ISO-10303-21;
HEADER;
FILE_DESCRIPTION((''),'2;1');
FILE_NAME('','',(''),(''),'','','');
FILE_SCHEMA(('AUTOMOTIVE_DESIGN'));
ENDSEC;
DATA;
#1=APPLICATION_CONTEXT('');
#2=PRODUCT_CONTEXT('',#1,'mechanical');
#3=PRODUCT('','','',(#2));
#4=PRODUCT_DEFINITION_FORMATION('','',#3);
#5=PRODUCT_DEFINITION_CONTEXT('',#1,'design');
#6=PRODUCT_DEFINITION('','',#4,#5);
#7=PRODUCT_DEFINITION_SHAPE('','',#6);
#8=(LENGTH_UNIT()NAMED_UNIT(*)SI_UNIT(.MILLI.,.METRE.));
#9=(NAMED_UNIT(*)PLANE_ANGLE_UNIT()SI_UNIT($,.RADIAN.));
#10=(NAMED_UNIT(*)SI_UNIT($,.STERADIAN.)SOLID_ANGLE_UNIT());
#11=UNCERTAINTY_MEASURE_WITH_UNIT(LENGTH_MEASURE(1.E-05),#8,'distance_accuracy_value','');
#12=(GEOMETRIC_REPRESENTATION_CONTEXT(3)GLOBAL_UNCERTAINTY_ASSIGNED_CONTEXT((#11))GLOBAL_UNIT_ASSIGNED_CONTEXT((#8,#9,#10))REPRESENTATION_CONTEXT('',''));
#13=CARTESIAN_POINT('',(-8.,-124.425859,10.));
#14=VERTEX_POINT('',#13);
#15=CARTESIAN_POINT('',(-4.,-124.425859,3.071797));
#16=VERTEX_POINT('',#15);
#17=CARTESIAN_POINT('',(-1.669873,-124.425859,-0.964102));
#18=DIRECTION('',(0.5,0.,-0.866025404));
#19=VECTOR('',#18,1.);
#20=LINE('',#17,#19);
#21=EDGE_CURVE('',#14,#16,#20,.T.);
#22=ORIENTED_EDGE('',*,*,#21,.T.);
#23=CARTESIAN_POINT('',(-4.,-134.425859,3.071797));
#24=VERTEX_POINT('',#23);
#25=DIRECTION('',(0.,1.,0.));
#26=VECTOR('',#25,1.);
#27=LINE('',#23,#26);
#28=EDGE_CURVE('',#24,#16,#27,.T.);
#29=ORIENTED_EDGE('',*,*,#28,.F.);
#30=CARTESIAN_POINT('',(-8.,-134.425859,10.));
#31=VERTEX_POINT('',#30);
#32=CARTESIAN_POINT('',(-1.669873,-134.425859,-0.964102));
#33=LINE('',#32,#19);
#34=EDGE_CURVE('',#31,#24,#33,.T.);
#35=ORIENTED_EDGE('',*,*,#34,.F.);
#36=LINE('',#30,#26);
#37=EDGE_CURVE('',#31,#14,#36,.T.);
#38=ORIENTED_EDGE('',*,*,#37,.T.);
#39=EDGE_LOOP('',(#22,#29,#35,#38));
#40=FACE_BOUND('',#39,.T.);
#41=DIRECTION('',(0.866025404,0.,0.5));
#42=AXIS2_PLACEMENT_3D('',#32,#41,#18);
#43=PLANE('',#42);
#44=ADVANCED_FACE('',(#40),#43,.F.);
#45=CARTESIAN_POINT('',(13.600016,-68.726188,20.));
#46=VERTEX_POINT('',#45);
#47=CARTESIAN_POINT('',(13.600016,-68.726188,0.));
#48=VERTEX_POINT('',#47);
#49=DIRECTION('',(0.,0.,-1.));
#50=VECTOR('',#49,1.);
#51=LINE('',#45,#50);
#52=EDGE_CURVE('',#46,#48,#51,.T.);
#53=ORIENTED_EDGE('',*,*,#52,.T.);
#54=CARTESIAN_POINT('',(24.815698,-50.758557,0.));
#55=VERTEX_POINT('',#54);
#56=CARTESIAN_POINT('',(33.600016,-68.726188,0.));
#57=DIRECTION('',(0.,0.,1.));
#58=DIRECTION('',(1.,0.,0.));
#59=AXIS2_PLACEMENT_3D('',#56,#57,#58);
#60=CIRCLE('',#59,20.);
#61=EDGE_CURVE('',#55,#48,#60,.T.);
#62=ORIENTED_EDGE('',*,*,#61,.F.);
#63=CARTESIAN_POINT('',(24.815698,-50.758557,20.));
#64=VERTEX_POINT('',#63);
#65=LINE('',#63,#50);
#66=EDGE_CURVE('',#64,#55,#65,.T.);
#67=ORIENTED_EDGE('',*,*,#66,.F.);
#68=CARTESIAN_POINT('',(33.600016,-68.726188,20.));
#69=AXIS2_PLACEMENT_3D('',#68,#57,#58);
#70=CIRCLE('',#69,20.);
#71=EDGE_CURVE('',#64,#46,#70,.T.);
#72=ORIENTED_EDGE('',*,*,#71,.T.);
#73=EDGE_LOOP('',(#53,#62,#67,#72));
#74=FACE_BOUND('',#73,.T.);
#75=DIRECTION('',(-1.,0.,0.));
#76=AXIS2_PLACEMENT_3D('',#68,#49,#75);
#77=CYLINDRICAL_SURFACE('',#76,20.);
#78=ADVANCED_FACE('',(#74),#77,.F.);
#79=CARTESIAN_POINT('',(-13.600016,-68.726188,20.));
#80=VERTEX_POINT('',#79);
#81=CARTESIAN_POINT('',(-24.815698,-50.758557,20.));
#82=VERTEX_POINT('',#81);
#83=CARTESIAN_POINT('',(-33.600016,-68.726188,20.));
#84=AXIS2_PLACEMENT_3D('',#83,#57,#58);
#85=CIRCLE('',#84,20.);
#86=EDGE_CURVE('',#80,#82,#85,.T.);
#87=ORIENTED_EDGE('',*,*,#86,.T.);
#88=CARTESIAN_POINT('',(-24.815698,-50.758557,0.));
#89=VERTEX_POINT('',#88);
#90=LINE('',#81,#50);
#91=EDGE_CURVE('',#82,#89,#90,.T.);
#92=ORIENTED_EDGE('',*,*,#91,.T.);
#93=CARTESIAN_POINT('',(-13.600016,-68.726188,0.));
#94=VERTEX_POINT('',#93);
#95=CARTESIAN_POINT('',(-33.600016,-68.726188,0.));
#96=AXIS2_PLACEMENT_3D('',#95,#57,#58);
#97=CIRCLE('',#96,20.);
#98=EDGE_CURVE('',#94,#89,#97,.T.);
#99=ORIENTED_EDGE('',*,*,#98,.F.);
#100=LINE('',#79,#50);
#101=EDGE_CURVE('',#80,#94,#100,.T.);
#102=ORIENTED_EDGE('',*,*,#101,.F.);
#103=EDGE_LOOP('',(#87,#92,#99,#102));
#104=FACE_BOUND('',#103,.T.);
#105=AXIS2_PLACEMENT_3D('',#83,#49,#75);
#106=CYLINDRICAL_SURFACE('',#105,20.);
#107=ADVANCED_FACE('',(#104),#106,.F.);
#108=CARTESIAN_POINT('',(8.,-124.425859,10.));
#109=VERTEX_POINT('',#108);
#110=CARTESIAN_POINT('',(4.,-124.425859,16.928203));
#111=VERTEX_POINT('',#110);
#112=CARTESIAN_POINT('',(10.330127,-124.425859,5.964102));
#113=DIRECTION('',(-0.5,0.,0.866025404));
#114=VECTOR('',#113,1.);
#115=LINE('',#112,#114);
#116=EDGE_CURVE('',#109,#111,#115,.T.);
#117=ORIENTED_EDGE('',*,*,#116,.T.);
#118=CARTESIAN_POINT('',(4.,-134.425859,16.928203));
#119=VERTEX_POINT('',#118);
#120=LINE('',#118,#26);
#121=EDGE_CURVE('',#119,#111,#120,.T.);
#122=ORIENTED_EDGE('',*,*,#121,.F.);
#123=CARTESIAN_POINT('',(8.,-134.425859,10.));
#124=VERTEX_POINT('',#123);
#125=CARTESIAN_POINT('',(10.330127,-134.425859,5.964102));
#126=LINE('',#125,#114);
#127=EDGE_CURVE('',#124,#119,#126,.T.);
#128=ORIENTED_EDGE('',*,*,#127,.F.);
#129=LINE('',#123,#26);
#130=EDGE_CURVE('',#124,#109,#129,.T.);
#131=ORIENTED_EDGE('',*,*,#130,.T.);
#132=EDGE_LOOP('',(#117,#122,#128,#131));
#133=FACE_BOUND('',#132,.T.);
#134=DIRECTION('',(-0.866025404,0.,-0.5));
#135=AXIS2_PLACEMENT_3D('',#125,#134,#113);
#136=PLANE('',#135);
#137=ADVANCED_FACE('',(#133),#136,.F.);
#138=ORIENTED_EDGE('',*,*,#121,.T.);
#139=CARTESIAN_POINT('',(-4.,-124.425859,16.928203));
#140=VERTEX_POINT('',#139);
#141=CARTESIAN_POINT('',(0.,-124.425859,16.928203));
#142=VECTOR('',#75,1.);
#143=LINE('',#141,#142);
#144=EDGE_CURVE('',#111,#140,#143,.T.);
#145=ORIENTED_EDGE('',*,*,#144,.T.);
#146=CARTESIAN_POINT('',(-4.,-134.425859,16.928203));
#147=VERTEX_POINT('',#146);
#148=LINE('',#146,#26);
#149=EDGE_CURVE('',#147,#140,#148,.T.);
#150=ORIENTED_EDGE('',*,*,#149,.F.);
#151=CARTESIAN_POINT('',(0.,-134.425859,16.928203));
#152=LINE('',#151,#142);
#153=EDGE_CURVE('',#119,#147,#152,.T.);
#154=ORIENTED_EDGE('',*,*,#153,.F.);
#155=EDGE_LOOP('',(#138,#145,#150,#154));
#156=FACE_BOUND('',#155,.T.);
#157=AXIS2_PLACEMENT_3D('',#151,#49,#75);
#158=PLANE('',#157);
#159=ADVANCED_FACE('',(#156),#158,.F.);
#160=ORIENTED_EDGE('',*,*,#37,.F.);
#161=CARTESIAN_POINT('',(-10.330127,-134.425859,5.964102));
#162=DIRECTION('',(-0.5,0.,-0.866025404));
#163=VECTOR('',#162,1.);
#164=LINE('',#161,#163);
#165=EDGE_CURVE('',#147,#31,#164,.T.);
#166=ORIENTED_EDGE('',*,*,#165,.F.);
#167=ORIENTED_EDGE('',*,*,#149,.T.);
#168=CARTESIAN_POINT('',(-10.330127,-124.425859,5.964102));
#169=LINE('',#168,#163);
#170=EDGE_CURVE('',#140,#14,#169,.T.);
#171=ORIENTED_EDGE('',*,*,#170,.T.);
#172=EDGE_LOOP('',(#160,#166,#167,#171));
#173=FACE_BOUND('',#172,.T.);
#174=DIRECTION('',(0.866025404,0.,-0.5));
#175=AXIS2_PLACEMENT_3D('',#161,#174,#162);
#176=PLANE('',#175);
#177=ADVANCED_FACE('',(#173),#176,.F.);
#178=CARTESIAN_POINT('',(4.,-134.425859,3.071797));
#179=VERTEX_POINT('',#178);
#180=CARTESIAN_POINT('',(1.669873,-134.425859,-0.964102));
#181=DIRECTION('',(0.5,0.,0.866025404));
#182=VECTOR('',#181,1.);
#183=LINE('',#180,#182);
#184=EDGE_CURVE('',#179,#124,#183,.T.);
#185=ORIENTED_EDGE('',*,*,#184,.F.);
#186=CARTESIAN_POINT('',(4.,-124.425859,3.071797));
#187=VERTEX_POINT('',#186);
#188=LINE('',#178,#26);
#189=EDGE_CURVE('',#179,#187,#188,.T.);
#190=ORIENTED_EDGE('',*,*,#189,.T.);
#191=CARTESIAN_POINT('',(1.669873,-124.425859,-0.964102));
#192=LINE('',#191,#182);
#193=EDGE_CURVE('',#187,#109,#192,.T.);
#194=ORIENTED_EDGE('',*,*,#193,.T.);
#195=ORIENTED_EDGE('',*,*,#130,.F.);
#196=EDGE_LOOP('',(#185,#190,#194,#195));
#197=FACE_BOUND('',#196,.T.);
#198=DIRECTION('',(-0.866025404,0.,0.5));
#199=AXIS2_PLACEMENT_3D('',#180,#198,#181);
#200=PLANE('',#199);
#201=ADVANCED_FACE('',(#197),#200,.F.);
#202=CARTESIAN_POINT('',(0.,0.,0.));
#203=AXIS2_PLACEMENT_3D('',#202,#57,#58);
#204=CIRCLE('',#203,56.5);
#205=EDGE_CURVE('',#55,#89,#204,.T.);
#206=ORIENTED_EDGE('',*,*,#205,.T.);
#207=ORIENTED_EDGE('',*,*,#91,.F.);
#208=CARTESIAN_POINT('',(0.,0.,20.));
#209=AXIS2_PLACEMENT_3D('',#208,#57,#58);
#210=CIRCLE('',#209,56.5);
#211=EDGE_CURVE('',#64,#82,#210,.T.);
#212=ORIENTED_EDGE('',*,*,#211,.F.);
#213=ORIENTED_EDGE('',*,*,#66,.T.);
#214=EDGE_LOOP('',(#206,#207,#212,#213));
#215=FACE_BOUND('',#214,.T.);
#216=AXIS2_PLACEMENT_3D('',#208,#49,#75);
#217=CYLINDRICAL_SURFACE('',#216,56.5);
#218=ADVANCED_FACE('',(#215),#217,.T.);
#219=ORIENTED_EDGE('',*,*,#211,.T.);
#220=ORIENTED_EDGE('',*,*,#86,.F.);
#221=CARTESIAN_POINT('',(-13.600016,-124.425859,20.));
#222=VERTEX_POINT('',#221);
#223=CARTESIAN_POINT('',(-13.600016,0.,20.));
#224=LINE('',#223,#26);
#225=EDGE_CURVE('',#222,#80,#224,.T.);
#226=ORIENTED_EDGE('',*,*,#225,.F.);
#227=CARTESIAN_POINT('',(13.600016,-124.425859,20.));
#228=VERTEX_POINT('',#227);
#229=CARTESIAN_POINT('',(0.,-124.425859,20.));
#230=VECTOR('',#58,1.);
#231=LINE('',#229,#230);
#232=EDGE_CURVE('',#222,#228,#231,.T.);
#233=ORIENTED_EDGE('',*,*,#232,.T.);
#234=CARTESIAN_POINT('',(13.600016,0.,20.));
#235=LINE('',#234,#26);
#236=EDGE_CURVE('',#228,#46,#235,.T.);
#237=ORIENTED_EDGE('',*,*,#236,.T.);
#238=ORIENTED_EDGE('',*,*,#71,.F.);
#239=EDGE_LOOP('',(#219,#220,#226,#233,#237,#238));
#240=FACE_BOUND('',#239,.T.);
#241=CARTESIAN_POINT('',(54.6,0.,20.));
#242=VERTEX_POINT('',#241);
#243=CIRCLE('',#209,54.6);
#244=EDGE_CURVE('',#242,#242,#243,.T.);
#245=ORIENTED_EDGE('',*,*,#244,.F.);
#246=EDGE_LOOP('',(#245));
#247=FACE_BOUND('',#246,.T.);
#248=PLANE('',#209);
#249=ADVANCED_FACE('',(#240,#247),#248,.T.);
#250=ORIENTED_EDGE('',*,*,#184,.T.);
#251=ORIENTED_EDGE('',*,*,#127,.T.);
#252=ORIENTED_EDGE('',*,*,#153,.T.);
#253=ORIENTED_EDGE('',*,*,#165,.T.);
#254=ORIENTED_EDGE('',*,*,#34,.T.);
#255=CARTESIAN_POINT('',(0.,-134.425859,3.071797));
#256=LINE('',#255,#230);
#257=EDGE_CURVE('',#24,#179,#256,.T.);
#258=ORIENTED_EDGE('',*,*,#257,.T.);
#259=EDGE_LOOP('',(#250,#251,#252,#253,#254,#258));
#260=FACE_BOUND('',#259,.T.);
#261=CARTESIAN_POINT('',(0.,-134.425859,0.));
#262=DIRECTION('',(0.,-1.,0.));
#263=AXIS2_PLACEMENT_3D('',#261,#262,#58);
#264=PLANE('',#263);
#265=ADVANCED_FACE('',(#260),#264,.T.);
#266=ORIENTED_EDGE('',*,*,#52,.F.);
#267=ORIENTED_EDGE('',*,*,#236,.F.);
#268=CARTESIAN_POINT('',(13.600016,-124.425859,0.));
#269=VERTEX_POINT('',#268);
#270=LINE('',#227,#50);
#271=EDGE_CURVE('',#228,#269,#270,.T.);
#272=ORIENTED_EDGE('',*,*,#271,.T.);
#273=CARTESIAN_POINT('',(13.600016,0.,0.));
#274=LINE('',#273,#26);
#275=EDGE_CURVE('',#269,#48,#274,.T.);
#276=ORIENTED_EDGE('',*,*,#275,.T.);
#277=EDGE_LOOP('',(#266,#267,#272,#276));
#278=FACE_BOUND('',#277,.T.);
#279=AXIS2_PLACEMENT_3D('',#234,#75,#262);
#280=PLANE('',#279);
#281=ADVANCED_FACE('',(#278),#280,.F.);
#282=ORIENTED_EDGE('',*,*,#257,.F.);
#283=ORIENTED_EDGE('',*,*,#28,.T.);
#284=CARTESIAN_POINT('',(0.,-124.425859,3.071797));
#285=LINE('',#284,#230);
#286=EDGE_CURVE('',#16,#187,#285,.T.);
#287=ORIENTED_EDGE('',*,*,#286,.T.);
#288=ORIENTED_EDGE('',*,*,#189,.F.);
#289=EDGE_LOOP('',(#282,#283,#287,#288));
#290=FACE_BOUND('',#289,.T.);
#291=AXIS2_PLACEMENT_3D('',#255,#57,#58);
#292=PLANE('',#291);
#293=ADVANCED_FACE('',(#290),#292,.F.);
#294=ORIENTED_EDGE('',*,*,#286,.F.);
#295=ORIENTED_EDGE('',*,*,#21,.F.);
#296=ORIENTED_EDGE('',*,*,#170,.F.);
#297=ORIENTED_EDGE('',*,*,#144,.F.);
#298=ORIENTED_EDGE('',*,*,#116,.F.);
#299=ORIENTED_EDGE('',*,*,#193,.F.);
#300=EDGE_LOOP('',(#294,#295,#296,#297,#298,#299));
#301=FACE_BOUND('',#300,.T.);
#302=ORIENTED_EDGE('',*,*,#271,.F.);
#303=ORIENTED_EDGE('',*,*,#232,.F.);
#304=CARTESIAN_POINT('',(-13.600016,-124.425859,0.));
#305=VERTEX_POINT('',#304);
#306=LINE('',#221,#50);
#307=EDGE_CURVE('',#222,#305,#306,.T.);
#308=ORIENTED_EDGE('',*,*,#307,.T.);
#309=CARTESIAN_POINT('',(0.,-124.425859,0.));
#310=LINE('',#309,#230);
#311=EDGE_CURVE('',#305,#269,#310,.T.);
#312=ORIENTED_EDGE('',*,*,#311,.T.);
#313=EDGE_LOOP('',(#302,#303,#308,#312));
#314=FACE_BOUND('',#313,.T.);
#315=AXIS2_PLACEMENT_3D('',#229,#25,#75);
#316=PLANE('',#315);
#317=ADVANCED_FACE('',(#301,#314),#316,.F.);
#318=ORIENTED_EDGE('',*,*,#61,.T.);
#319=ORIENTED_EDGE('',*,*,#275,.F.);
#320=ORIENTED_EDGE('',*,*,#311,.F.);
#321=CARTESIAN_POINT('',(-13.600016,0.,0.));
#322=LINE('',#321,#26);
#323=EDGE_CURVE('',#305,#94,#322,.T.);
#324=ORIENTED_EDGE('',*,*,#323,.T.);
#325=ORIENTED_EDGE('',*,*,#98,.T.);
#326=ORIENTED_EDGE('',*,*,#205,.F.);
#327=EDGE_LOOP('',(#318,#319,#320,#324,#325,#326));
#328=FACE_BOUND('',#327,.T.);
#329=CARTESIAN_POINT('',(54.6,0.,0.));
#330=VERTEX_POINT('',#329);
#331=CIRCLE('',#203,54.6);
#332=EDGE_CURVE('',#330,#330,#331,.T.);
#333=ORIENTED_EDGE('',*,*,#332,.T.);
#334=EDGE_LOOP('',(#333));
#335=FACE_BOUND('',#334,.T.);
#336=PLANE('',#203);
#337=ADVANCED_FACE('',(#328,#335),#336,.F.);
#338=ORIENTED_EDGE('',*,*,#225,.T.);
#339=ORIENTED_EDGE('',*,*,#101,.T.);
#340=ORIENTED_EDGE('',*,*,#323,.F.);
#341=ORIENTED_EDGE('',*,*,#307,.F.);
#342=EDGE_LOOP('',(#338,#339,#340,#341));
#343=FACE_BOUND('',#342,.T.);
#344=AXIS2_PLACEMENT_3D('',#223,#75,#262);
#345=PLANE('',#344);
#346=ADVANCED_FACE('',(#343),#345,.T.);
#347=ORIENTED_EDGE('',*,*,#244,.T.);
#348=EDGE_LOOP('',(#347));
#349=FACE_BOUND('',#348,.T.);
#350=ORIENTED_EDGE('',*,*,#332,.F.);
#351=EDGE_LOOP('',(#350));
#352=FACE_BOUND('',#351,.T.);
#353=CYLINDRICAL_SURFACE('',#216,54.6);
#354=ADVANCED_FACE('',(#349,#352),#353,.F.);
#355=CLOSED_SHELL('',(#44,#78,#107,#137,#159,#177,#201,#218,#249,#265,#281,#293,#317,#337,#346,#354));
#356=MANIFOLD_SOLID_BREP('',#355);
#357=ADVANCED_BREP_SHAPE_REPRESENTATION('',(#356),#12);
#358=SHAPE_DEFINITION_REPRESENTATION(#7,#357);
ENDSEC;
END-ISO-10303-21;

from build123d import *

# Parameters (mm, degrees)
SKETCH1_R           = 54.6
BOSS_EXTRUDE1_DEPTH = 20
BOSS_EXTRUDE2_DEPTH = 10


with BuildPart() as part:
    # Sketch1 → Boss-Extrude1 (new body)
    with BuildSketch(Plane.XY):
        with BuildLine():
            ThreePointArc((24.815698382, -50.75855705), (16.634074625, -58.135776168), (13.600016394, -68.726187864))
            Line((13.600016394, -68.726187864), (13.600016394, -124.425859017))
            Line((13.600016394, -124.425859017), (-13.600016394, -124.425859017))
            Line((-13.600016394, -124.425859017), (-13.600016394, -68.726187864))
            ThreePointArc((-13.600016394, -68.726187864), (-16.634074625, -58.135776168), (-24.815698382, -50.75855705))
            ThreePointArc((-24.815698382, -50.75855705), (0, 56.5), (24.815698382, -50.75855705))
        make_face()
        Circle(SKETCH1_R, mode=Mode.SUBTRACT)
    extrude(amount=BOSS_EXTRUDE1_DEPTH)

    # Sketch3 → Boss-Extrude2 (add)
    with BuildSketch(Plane(origin=(0, -124.425859017, 0), x_dir=(-1, 0, 0), z_dir=(0, -1, 0))):
        Polygon((4, -16.92820323), (5.615919889, -14.129347882), (0, -10), (-5.615919889, -14.129347882), (-4, -16.92820323), align=None)
        Polygon((-5.615919889, -14.129347882), (0, -10), (-5.615919889, -5.870652118), (-8, -10), align=None)
        Polygon((-5.615919889, -5.870652118), (0, -10), (5.615919889, -5.870652118), (4, -3.07179677), (-4, -3.07179677), align=None)
        Polygon((0, -10), (5.615919889, -14.129347882), (8, -10), (5.615919889, -5.870652118), align=None)
    extrude(amount=BOSS_EXTRUDE2_DEPTH)


solid = part.part
